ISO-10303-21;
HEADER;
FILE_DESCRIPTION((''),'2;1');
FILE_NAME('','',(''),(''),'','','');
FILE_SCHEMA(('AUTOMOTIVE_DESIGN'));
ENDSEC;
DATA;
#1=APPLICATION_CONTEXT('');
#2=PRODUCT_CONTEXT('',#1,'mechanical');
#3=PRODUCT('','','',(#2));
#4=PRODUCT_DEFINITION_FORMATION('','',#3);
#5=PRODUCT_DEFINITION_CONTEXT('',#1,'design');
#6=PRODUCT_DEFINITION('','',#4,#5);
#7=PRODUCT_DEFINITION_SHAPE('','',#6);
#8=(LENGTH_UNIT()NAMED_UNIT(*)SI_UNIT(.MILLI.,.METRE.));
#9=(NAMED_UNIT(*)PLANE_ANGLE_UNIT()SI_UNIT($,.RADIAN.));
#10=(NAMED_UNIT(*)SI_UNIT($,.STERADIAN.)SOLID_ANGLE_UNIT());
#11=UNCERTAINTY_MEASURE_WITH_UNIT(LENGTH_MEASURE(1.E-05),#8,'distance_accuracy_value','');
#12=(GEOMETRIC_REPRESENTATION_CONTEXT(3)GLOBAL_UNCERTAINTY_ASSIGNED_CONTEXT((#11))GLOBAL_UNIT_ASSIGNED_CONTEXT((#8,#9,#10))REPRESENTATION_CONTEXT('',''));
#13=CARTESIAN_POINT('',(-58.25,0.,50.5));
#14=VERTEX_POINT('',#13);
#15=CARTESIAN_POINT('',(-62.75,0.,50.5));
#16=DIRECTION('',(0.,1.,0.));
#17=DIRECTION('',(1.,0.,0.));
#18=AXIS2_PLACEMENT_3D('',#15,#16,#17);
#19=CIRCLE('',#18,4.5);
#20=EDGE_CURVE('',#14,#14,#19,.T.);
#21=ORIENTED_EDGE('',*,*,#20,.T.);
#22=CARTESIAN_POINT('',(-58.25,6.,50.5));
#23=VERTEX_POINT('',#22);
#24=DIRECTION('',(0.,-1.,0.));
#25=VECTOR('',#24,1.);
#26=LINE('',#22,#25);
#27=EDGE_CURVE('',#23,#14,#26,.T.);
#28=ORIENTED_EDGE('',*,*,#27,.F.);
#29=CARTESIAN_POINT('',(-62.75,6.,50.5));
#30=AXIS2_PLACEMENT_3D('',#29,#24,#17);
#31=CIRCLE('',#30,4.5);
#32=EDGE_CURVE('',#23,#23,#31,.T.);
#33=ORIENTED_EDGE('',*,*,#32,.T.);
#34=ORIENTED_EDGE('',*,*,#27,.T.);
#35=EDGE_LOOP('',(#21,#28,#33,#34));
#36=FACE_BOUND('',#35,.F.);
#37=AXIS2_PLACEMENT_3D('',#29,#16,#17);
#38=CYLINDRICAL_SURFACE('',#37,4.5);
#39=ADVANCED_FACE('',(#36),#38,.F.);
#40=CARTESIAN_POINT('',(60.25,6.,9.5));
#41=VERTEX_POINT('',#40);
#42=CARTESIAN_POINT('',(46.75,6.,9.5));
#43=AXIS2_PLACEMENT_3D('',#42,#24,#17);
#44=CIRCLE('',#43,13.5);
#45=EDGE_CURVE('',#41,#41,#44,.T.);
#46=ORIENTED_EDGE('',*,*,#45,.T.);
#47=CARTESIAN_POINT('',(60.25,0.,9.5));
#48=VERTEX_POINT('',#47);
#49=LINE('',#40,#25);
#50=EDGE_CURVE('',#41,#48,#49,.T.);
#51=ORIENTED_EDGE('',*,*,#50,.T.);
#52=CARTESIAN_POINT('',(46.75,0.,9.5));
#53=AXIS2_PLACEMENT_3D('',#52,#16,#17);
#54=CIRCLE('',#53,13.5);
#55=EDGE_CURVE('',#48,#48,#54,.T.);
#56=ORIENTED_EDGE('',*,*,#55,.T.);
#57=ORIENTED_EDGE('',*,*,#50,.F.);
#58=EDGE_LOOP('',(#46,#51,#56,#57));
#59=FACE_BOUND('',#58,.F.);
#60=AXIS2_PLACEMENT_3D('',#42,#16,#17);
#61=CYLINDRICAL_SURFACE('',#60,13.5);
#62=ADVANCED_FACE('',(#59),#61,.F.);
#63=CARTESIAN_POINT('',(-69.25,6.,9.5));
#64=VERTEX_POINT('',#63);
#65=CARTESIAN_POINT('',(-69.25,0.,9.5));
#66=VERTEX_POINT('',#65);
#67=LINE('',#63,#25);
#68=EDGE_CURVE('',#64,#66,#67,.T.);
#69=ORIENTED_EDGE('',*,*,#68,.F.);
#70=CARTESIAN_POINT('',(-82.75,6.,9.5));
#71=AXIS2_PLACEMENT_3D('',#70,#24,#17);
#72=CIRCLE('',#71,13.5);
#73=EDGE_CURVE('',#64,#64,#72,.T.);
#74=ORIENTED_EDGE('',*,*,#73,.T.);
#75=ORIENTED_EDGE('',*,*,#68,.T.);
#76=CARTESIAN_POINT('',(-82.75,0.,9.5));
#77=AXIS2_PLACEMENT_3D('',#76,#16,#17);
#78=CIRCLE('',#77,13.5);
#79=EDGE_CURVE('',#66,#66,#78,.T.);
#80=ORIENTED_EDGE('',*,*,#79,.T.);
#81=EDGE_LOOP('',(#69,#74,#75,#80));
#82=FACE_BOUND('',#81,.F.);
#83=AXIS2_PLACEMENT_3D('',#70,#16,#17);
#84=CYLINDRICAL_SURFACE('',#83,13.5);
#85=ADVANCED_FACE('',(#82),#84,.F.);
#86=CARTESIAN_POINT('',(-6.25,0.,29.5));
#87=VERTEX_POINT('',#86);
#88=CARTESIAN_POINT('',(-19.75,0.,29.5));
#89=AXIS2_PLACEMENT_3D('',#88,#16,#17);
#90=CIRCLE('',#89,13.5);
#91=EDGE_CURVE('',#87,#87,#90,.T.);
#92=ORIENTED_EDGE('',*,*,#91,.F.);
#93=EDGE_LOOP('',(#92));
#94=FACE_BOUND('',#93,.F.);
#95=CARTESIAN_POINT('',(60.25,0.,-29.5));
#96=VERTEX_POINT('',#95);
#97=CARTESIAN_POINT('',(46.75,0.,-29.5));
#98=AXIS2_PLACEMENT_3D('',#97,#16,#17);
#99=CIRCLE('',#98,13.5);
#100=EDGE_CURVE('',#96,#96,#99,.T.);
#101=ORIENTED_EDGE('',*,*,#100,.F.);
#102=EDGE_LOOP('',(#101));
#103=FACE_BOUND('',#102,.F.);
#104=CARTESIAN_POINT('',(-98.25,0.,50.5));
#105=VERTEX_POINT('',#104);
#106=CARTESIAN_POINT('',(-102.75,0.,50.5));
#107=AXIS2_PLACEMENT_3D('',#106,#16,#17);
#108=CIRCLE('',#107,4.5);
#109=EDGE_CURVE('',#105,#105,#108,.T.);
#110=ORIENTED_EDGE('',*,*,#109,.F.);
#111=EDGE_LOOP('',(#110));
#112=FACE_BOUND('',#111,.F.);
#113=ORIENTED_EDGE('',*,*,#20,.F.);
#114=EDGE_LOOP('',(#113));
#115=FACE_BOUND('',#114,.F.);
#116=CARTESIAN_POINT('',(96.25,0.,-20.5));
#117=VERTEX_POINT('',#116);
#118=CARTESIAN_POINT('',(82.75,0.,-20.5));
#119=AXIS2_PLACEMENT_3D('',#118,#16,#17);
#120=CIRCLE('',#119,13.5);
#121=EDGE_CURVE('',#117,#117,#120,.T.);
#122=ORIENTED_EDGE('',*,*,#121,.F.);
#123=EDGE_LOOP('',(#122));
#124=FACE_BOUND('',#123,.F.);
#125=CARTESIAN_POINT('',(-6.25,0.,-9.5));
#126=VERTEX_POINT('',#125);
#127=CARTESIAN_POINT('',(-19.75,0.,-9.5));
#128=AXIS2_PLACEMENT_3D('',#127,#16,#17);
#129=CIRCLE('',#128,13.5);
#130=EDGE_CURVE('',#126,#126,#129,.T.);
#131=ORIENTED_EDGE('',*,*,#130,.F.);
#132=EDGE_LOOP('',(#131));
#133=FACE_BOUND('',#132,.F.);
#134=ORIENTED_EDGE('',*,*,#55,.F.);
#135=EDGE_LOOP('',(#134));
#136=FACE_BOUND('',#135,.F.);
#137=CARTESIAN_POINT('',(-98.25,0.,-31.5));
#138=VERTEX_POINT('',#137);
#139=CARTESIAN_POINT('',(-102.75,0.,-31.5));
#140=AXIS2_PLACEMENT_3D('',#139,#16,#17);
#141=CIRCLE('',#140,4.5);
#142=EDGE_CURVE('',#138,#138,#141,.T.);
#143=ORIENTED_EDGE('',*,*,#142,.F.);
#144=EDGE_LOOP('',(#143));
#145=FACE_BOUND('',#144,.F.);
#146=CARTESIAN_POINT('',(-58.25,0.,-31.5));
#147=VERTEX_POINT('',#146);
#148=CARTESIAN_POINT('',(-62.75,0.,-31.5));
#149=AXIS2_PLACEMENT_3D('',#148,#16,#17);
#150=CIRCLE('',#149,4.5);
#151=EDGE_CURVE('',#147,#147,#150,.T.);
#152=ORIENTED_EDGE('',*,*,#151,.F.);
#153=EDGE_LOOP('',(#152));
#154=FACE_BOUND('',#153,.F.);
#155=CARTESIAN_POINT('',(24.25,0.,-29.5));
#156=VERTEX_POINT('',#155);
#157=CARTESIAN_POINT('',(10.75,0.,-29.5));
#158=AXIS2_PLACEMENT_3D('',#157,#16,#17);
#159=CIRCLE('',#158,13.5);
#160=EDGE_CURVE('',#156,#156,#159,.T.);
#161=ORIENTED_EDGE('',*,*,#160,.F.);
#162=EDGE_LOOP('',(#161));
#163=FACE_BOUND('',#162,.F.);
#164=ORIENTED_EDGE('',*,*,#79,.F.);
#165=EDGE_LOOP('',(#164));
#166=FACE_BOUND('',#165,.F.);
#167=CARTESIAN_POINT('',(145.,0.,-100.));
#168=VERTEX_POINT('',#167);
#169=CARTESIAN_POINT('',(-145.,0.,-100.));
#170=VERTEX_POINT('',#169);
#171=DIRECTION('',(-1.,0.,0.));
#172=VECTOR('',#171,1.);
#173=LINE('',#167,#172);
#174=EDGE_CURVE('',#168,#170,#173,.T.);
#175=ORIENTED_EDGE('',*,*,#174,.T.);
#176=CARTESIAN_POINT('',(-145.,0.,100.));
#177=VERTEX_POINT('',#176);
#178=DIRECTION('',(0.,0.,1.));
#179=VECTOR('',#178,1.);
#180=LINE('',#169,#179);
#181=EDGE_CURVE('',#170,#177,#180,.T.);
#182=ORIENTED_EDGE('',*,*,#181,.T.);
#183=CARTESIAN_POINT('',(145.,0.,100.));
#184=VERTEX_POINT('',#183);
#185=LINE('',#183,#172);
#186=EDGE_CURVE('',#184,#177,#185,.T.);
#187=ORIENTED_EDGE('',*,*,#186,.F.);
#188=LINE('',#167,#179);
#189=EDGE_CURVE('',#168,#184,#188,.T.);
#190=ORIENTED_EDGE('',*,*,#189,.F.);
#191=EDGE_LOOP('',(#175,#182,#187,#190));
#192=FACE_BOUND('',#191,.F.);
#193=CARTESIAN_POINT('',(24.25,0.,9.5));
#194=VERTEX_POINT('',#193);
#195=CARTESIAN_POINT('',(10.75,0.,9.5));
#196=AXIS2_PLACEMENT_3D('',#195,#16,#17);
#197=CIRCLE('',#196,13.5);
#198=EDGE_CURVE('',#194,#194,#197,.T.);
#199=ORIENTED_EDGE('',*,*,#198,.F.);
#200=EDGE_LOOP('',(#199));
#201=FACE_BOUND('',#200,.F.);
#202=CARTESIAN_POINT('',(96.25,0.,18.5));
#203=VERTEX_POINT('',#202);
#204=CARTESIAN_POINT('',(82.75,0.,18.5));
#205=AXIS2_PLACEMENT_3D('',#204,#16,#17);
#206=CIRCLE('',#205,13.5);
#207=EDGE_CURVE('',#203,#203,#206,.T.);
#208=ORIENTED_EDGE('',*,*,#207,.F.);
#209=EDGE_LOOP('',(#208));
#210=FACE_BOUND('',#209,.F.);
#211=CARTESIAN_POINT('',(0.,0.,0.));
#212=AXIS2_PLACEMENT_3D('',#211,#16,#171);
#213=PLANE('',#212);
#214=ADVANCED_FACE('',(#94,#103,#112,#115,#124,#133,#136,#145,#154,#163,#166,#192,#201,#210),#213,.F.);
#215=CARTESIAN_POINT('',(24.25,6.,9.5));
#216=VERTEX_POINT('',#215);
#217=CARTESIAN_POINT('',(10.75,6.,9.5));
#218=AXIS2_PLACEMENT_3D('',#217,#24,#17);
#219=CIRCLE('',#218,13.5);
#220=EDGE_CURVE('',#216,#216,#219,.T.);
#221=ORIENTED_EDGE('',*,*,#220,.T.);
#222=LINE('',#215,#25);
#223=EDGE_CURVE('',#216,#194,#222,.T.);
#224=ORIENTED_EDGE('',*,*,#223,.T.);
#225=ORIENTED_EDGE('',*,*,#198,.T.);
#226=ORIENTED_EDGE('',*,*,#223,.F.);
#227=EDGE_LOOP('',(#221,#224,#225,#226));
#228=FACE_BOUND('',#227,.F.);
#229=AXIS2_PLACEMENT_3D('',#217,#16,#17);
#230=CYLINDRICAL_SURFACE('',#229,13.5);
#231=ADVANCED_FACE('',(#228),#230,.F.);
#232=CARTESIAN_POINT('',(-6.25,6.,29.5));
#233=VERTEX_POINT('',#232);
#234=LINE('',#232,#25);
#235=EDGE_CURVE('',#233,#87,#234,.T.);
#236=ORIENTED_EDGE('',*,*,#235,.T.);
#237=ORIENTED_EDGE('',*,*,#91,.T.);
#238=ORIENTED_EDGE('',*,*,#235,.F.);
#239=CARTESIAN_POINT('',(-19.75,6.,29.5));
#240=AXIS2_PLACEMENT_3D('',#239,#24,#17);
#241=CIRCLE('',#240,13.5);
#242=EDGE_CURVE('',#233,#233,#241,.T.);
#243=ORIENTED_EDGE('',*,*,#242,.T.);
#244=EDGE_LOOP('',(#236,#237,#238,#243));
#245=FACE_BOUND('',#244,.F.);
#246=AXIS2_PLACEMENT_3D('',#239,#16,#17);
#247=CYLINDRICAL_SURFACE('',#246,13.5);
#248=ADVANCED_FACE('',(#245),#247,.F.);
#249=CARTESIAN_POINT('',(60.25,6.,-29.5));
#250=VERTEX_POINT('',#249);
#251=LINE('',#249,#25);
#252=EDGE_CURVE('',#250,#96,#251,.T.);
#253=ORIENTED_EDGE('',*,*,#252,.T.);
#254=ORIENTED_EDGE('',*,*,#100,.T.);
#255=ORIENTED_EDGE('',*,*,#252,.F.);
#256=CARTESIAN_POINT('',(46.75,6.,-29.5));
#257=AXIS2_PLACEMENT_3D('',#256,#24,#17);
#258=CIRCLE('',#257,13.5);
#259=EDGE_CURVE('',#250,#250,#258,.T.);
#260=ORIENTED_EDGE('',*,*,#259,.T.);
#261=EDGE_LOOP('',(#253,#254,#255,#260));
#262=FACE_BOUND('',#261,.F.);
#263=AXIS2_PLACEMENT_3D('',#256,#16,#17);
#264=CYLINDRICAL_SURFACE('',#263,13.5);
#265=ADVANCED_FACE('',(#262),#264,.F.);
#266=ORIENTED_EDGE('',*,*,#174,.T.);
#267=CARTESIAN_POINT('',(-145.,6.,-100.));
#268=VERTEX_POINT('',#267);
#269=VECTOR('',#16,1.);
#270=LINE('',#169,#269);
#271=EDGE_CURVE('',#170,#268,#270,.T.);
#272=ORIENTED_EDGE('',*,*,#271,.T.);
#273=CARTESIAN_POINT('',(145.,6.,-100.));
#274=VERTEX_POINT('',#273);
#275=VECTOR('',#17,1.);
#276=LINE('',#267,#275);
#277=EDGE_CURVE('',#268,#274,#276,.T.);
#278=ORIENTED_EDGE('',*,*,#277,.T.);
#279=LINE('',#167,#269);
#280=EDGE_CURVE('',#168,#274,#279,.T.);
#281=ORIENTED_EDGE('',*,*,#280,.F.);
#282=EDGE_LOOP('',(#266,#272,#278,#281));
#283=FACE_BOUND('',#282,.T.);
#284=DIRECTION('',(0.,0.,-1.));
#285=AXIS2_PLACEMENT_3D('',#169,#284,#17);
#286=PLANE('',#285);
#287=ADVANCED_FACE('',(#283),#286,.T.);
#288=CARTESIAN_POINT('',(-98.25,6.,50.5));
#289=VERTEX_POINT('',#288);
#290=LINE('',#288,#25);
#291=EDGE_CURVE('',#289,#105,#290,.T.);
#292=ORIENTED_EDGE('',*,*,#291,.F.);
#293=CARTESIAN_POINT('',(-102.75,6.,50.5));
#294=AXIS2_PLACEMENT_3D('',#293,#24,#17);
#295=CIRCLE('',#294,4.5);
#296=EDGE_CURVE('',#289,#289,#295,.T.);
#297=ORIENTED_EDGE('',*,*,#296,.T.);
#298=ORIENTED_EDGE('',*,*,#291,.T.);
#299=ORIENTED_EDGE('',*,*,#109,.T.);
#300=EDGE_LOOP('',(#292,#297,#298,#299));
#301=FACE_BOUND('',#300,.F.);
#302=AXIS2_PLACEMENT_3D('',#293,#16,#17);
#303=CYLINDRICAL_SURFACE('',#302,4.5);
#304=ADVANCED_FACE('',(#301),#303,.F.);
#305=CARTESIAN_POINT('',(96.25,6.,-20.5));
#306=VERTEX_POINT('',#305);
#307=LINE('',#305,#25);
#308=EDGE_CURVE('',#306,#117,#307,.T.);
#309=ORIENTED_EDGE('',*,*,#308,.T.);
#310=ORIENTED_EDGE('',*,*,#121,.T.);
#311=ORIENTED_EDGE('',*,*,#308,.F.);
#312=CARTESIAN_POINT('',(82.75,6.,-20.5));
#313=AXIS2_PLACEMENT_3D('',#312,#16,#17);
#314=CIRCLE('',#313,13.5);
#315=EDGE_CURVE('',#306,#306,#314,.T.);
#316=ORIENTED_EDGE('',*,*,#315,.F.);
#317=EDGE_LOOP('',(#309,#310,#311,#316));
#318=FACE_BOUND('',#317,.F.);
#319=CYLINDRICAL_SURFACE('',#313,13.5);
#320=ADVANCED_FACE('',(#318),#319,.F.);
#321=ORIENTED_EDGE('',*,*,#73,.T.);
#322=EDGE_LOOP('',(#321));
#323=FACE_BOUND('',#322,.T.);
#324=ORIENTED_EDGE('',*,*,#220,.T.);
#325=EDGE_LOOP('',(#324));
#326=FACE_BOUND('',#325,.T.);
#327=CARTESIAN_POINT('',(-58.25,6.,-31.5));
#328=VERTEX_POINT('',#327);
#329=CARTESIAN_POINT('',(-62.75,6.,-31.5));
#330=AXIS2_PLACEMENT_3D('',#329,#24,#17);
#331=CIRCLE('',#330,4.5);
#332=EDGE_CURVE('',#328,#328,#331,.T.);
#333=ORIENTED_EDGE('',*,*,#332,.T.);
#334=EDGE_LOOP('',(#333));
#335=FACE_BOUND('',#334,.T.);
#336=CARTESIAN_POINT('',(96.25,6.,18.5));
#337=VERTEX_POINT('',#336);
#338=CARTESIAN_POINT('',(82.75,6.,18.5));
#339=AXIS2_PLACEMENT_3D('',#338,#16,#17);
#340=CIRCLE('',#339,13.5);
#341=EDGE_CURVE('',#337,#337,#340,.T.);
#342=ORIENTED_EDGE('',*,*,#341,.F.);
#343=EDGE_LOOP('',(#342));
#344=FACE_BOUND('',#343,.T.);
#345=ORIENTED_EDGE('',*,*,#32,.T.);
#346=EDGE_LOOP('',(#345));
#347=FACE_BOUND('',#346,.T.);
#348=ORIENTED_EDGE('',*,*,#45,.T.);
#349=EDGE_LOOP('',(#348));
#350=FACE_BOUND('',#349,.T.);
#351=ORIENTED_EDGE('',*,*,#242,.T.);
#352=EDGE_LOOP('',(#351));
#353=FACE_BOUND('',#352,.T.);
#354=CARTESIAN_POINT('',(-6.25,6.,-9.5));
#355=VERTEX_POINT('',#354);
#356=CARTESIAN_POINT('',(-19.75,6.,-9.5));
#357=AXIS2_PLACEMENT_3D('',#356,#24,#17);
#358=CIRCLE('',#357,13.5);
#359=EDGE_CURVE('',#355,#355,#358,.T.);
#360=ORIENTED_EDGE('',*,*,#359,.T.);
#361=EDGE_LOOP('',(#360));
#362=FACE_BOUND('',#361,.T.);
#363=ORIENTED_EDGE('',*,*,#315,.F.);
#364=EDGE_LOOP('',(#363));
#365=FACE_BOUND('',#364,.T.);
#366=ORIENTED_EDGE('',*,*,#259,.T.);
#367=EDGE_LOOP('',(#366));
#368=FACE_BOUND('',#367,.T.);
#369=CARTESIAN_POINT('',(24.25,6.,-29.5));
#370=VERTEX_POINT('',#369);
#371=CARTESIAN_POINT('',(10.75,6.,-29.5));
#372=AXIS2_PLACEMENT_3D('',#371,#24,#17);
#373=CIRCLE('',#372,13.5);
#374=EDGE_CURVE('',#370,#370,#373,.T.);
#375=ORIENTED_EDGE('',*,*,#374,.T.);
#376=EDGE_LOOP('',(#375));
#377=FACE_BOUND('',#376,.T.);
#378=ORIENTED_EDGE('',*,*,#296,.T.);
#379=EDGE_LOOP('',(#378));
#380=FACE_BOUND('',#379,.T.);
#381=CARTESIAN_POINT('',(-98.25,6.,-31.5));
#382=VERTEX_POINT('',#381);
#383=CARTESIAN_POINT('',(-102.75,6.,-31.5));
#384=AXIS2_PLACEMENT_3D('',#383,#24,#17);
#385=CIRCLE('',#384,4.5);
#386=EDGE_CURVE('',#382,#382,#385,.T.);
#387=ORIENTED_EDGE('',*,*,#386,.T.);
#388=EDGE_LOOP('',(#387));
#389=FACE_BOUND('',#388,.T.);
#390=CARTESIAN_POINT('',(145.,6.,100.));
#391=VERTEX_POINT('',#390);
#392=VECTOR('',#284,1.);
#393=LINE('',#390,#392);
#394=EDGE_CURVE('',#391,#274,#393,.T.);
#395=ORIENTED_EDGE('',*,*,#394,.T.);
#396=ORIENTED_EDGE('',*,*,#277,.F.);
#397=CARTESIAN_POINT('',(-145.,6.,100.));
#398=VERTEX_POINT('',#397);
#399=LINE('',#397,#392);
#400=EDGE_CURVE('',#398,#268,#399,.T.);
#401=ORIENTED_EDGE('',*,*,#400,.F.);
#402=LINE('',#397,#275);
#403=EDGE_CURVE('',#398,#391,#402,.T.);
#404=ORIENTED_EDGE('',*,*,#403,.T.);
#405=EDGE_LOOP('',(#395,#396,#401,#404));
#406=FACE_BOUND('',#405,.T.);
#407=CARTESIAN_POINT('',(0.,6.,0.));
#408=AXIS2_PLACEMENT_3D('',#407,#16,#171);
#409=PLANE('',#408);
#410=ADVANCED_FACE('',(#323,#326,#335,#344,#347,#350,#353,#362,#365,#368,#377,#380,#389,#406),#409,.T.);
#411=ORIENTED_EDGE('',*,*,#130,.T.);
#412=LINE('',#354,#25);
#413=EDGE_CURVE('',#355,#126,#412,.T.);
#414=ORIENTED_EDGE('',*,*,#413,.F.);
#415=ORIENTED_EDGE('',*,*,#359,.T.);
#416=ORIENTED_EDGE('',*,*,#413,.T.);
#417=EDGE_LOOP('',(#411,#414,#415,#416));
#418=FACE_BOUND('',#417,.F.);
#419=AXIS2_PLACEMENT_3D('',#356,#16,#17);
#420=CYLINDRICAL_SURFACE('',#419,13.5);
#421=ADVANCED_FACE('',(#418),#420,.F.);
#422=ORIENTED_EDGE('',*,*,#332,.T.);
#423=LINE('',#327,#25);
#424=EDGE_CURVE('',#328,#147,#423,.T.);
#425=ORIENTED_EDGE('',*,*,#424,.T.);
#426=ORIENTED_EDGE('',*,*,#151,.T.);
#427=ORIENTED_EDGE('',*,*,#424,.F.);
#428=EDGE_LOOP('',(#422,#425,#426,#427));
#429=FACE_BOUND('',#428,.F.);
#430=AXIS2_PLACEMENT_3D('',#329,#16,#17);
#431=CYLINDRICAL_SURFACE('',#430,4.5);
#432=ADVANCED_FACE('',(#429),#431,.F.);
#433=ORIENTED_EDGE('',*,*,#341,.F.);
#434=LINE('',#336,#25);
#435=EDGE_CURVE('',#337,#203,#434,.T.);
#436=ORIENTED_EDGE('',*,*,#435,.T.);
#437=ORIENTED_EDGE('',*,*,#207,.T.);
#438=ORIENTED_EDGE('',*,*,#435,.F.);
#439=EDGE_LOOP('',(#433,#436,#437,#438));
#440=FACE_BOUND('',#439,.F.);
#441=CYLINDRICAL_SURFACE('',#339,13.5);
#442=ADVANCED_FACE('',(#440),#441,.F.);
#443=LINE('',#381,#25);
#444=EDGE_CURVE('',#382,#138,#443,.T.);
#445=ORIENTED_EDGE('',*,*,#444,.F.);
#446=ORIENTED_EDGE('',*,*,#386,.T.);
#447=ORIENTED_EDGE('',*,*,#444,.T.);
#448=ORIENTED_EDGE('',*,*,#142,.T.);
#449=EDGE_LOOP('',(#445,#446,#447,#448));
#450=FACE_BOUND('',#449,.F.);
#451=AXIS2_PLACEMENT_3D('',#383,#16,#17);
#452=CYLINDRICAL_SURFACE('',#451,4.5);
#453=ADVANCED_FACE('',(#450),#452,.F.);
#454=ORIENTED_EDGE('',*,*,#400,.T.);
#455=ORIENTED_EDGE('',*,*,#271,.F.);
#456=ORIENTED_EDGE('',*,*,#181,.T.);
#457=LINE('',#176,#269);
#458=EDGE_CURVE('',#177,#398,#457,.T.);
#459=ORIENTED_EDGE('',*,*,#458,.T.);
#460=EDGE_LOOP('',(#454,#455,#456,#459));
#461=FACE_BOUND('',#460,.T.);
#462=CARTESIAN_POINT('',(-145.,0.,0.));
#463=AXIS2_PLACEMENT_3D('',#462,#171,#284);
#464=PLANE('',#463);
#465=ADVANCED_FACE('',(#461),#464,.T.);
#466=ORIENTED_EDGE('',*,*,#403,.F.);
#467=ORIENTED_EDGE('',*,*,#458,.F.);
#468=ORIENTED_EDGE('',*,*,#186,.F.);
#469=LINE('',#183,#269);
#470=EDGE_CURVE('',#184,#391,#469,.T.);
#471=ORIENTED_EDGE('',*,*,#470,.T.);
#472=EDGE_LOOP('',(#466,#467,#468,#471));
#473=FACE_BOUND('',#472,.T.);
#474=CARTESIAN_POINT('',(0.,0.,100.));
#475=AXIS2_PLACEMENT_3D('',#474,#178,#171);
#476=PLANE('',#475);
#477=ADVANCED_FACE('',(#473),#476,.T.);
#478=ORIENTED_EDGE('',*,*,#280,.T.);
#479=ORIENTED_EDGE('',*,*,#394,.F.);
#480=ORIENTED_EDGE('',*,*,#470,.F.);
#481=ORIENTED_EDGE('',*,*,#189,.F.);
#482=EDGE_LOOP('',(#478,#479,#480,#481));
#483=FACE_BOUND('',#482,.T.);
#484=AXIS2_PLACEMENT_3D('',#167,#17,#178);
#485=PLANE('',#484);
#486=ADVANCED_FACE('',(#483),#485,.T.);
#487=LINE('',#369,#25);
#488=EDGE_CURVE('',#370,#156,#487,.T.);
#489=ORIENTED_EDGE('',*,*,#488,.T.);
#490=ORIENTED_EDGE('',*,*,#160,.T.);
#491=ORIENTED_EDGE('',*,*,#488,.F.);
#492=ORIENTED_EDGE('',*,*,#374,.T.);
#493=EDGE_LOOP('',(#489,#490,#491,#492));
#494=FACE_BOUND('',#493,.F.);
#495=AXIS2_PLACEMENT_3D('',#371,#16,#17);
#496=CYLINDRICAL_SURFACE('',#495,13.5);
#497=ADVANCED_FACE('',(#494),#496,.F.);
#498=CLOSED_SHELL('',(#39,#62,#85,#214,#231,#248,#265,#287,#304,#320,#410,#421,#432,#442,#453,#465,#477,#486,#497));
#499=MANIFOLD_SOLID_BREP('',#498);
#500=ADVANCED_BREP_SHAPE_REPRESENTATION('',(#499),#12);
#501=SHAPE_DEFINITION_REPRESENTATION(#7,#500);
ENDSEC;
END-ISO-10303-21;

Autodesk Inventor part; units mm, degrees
ref_plane "YZ Plane" through (0, 0, 0) normal (1, 0, 0) x (0, 1, 0)
ref_plane "XZ Plane" through (0, 0, 0) normal (0, 1, 0) x (-1, 0, 0)
ref_plane "XY Plane" through (0, 0, 0) normal (0, 0, 1) x (1, 0, 0)
sketch "Sketch1" plane through (0, 0, 0) normal (0, 1, 0) x (-1, 0, 0)
  line L0 (145, -100) -> (-145, -100)
  line L1 (-145, -100) -> (-145, 100)
  line L2 (-145, 100) -> (145, 100)
  line L3 (145, 100) -> (145, -100)
  line L4 (210, 0) -> (-210, 0) projected
  line L5 (0, -140) -> (0, 140) projected
  point P0 (0, 0)
  dimension "d30" = 290
  dimension "d31" = 200
extrude "Extrusion1" add sketch "Sketch1" along normal blind 6
sketch "Sketch2" plane through (0, 6, 0) normal (0, 1, 0) x (1, 0, 0)
  circle A0 centre (-19.75, -29.5) radius 13.5
  circle A1 centre (-82.75, -9.5) radius 13.5
  circle A2 centre (-19.75, 9.5) radius 13.5
  circle A3 centre (46.75, 29.5) radius 13.5
  circle A4 centre (82.75, 20.5) radius 13.5
  circle A5 centre (10.75, 29.5) radius 13.5
  circle A6 centre (10.75, -9.5) radius 13.5
  circle A7 centre (46.75, -9.5) radius 13.5
  circle A8 centre (82.75, -18.5) radius 13.5
  line L0 (-96.25, 43) -> (96.25, 43)
  line L1 (96.25, 43) -> (96.25, -43)
  line L2 (96.25, -43) -> (-96.25, -43)
  line L3 (-96.25, -43) -> (-96.25, 43)
  line L4 (145, 100) -> (-145, 100) projected
  line L5 (145, -100) -> (145, 100) projected
  line L6 (0, 140) -> (0, -140) projected
  line L7 (-210, 0) -> (210, 0) projected
  line L8 (-102.75, 31.5) -> (-62.75, 31.5)
  line L9 (-62.75, 31.5) -> (-62.75, -50.5)
  line L10 (-62.75, -50.5) -> (-102.75, -50.5)
  line L11 (-102.75, -50.5) -> (-102.75, 31.5)
  circle A9 centre (-102.75, 31.5) radius 4.5
  circle A10 centre (-62.75, 31.5) radius 4.5
  circle A11 centre (-102.75, -50.5) radius 4.5
  circle A12 centre (-62.75, -50.5) radius 4.5
  dimension "d3" = 27
  dimension "d19" = 30.5
  dimension "d20" = 36
  dimension "d23" = 19
  dimension "d24" = 9
  dimension "d25" = 36
  dimension "d26" = 11
  dimension "d27" = 9
  dimension "d28" = 11
  dimension "d29" = 63
  dimension "d35" = 41
  dimension "d36" = 41
  dimension "d37" = 20
  dimension "d38" = 20
  dimension "d39" = 9
  dimension "d40" = 9
  dimension "d41" = 9
  dimension "d42" = 9
extrude "Extrusion2" cut sketch "Sketch2" against normal blind 30 contours A0 | A8 | L6 A6 L7 | A6 L6 | A12 L10 L9 | L9 L10 A12 | A1 L7 | L7 A1 | L7 A2 | A2 L7 | A10 L8 L9 | L9 L8 A10 | A4 | A3 | A6 L7 | A11 L11 L10 | L10 L11 A11 | L7 A7 | A7 L7 | L6 A5 | A5 L6 | A9 L11 L8 | L8 L11 A9 picked at (6.7806, -6.3333)
equation "\"d30\" = BoxLength"
equation "\"d31\" = BoxWidth"
equation "\"d3\" = JS_Hole_dia"
equation "\"d36\" = 0.5 * JS_SH_L"
equation "\"d37\" = 0.5 * JS_SH_W"
equation "\"d38\" = 0.5 * JS_SH_W"
equation "\"d39\" = JS_SH_top_dia"
equation "\"d40\" = JS_SH_top_dia"
equation "\"d41\" = JS_SH_top_dia"
equation "\"d42\" = JS_SH_top_dia"
equation "\"BoxLength\" = 290"
equation "\"BoxWidth\" = 200"
equation "\"JS_SH_L\" = 82"
equation "\"JS_SH_dia\" = 5"
equation "\"SheetThickness\" = 6"
equation "\"CornerOffset\" = 5"
equation "\"NutS\" = 5.7"
equation "\"NutThreadD2\" = 4.17"
equation "\"SideNutWidth\" = 2.5"
equation "\"JS_Hole_dia\" = 27"
equation "\"JS_SH_top_dia\" = 9"
equation "\"JS_SH_W\" = 40"
properties part number "sega_straight_b2_v1"
